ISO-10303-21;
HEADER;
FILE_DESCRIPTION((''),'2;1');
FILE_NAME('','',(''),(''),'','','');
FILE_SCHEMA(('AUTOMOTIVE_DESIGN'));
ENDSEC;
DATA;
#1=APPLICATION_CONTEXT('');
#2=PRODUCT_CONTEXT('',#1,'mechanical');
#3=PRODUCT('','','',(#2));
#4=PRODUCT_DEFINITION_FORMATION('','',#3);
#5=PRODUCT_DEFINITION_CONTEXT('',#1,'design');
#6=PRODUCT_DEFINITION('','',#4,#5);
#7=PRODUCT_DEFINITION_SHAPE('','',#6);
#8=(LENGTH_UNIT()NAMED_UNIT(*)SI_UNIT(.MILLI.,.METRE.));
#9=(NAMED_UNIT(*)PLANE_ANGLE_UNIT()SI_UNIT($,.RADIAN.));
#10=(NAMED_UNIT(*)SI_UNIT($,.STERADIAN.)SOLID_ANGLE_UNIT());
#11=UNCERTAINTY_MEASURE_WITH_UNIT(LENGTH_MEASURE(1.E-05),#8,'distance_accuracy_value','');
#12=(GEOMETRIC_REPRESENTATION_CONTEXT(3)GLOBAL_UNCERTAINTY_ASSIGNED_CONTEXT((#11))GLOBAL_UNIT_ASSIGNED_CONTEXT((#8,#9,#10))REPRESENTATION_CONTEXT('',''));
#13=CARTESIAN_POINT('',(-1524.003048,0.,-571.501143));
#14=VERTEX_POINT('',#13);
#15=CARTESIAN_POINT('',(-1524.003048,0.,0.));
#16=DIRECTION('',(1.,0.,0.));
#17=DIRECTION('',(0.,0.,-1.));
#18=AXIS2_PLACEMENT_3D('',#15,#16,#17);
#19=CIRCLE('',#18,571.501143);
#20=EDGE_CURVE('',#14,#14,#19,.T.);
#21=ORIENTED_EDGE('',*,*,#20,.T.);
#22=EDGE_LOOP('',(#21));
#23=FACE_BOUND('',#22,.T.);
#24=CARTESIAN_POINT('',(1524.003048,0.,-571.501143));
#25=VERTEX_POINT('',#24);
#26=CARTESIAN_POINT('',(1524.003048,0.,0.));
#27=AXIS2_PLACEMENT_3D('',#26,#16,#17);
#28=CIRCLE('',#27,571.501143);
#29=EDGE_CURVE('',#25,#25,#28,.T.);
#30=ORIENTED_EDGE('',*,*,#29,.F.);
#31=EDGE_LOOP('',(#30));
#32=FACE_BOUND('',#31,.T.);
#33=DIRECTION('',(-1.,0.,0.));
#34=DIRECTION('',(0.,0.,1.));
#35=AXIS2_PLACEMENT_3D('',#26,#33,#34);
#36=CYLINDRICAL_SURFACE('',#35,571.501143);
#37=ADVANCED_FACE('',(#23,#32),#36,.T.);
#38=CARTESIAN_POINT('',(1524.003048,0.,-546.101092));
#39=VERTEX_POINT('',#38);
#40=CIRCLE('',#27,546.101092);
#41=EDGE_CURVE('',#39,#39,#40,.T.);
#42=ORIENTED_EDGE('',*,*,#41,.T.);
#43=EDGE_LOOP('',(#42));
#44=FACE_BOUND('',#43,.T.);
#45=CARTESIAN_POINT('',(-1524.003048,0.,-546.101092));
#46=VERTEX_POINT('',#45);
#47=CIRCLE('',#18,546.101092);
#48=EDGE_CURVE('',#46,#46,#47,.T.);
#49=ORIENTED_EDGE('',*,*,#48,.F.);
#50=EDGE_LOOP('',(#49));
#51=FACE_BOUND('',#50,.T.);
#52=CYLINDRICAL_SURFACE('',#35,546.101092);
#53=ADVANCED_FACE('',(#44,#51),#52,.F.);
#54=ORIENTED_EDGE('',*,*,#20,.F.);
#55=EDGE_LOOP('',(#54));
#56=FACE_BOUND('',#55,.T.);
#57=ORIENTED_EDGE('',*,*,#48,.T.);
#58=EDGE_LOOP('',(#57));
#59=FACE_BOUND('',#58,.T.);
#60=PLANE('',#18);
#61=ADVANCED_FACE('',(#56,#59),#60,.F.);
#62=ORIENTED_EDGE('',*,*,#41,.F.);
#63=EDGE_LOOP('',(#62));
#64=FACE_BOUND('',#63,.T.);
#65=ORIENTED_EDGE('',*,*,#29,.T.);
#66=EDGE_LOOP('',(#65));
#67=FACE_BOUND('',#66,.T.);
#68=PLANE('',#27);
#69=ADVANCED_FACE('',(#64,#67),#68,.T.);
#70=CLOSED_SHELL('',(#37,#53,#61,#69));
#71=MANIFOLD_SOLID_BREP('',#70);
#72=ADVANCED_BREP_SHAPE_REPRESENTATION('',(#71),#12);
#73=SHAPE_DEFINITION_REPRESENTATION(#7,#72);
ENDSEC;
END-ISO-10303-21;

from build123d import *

# Parameters (mm, degrees)
SKETCH1_R           = 571.501143002
SKETCH1_R_2         = 546.101092202
BOSS_EXTRUDE1_DEPTH = 1524.003048006


with BuildPart() as part:
    # Sketch1 → Boss-Extrude1 (new body, symmetric)
    with BuildSketch(Plane(origin=(0, 0, 0), x_dir=(0, 0, -1), z_dir=(1, 0, 0))):
        Circle(SKETCH1_R)
        Circle(SKETCH1_R_2, mode=Mode.SUBTRACT)
    extrude(amount=BOSS_EXTRUDE1_DEPTH, both=True)


solid = part.part
